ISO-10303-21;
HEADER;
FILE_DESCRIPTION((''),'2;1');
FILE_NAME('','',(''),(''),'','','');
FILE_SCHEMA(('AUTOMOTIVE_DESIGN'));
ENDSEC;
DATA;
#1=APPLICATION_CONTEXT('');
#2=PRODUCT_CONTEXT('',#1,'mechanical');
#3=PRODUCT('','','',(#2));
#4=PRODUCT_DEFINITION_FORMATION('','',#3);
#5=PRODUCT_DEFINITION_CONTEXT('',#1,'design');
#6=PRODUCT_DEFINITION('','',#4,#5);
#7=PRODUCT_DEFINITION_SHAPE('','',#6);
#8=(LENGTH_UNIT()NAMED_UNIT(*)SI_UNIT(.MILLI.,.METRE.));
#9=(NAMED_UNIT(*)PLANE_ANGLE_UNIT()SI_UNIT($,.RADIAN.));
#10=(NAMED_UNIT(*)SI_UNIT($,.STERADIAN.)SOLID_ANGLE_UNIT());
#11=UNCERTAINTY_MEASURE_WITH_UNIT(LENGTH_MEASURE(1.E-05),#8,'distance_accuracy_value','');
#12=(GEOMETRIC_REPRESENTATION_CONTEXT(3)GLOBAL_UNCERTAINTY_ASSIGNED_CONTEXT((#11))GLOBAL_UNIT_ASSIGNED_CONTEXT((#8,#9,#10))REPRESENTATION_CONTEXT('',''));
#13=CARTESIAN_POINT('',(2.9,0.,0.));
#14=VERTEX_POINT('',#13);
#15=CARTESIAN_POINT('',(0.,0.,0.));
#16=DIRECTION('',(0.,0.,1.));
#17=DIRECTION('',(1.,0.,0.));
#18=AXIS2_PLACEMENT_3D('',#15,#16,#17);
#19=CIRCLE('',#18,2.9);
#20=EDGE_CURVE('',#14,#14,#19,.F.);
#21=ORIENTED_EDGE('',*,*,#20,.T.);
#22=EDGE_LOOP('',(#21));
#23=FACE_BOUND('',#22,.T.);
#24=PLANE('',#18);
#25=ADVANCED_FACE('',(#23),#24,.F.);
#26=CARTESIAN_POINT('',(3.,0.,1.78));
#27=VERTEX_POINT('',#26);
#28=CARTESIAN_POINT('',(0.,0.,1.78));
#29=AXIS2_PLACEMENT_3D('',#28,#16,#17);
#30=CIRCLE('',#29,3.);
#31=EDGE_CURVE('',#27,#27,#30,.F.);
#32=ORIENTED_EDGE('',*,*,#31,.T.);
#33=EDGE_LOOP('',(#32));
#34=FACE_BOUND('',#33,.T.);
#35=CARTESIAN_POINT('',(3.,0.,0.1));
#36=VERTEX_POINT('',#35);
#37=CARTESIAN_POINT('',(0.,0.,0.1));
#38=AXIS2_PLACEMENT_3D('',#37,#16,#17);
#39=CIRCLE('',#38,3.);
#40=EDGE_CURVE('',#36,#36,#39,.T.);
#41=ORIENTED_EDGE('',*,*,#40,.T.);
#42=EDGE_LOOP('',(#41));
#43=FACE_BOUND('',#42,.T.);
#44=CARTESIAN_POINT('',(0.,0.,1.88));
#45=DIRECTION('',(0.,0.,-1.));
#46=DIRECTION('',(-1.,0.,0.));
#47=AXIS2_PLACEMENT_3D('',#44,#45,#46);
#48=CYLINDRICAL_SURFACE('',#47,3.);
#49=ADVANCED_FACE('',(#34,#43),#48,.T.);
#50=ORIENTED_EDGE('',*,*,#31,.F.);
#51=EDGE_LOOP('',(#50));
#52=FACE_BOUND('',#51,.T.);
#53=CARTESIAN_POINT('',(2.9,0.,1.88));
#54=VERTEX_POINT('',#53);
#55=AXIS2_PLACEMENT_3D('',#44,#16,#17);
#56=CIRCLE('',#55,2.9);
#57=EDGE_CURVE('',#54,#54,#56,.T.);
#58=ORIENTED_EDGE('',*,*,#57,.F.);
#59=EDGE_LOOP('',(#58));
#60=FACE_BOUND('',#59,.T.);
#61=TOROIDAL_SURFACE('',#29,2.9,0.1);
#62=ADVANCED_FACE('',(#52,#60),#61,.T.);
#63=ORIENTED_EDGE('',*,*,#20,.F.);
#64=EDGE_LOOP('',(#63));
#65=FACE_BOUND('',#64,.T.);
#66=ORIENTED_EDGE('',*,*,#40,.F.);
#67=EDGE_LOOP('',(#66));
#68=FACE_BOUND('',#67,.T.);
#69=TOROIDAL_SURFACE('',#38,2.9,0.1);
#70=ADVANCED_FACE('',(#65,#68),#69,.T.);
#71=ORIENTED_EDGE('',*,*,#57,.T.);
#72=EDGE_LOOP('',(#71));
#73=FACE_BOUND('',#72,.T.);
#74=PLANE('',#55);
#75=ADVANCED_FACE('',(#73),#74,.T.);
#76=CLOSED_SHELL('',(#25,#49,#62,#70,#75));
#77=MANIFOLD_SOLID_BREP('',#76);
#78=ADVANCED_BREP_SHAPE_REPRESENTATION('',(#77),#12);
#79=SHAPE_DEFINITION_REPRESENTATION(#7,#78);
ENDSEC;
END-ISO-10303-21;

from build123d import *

# Parameters (mm, degrees)
SKETCH_1_R      = 3
EXTRUDE_1_DEPTH = 1.88
FILLET_1_R      = 0.1


with BuildPart() as part:
    # 草图1 → 凸台-拉伸1 (new body)
    with BuildSketch(Plane.XY):
        Circle(SKETCH_1_R)
    extrude(amount=EXTRUDE_1_DEPTH)

    # 圆角1
    fillet_1_edges = [part.edges().sort_by_distance(p)[0] for p in [
        (-3, 0, 0),
        (-3, 0, 1.88),
    ]]
    fillet(fillet_1_edges, radius=FILLET_1_R)


solid = part.part
